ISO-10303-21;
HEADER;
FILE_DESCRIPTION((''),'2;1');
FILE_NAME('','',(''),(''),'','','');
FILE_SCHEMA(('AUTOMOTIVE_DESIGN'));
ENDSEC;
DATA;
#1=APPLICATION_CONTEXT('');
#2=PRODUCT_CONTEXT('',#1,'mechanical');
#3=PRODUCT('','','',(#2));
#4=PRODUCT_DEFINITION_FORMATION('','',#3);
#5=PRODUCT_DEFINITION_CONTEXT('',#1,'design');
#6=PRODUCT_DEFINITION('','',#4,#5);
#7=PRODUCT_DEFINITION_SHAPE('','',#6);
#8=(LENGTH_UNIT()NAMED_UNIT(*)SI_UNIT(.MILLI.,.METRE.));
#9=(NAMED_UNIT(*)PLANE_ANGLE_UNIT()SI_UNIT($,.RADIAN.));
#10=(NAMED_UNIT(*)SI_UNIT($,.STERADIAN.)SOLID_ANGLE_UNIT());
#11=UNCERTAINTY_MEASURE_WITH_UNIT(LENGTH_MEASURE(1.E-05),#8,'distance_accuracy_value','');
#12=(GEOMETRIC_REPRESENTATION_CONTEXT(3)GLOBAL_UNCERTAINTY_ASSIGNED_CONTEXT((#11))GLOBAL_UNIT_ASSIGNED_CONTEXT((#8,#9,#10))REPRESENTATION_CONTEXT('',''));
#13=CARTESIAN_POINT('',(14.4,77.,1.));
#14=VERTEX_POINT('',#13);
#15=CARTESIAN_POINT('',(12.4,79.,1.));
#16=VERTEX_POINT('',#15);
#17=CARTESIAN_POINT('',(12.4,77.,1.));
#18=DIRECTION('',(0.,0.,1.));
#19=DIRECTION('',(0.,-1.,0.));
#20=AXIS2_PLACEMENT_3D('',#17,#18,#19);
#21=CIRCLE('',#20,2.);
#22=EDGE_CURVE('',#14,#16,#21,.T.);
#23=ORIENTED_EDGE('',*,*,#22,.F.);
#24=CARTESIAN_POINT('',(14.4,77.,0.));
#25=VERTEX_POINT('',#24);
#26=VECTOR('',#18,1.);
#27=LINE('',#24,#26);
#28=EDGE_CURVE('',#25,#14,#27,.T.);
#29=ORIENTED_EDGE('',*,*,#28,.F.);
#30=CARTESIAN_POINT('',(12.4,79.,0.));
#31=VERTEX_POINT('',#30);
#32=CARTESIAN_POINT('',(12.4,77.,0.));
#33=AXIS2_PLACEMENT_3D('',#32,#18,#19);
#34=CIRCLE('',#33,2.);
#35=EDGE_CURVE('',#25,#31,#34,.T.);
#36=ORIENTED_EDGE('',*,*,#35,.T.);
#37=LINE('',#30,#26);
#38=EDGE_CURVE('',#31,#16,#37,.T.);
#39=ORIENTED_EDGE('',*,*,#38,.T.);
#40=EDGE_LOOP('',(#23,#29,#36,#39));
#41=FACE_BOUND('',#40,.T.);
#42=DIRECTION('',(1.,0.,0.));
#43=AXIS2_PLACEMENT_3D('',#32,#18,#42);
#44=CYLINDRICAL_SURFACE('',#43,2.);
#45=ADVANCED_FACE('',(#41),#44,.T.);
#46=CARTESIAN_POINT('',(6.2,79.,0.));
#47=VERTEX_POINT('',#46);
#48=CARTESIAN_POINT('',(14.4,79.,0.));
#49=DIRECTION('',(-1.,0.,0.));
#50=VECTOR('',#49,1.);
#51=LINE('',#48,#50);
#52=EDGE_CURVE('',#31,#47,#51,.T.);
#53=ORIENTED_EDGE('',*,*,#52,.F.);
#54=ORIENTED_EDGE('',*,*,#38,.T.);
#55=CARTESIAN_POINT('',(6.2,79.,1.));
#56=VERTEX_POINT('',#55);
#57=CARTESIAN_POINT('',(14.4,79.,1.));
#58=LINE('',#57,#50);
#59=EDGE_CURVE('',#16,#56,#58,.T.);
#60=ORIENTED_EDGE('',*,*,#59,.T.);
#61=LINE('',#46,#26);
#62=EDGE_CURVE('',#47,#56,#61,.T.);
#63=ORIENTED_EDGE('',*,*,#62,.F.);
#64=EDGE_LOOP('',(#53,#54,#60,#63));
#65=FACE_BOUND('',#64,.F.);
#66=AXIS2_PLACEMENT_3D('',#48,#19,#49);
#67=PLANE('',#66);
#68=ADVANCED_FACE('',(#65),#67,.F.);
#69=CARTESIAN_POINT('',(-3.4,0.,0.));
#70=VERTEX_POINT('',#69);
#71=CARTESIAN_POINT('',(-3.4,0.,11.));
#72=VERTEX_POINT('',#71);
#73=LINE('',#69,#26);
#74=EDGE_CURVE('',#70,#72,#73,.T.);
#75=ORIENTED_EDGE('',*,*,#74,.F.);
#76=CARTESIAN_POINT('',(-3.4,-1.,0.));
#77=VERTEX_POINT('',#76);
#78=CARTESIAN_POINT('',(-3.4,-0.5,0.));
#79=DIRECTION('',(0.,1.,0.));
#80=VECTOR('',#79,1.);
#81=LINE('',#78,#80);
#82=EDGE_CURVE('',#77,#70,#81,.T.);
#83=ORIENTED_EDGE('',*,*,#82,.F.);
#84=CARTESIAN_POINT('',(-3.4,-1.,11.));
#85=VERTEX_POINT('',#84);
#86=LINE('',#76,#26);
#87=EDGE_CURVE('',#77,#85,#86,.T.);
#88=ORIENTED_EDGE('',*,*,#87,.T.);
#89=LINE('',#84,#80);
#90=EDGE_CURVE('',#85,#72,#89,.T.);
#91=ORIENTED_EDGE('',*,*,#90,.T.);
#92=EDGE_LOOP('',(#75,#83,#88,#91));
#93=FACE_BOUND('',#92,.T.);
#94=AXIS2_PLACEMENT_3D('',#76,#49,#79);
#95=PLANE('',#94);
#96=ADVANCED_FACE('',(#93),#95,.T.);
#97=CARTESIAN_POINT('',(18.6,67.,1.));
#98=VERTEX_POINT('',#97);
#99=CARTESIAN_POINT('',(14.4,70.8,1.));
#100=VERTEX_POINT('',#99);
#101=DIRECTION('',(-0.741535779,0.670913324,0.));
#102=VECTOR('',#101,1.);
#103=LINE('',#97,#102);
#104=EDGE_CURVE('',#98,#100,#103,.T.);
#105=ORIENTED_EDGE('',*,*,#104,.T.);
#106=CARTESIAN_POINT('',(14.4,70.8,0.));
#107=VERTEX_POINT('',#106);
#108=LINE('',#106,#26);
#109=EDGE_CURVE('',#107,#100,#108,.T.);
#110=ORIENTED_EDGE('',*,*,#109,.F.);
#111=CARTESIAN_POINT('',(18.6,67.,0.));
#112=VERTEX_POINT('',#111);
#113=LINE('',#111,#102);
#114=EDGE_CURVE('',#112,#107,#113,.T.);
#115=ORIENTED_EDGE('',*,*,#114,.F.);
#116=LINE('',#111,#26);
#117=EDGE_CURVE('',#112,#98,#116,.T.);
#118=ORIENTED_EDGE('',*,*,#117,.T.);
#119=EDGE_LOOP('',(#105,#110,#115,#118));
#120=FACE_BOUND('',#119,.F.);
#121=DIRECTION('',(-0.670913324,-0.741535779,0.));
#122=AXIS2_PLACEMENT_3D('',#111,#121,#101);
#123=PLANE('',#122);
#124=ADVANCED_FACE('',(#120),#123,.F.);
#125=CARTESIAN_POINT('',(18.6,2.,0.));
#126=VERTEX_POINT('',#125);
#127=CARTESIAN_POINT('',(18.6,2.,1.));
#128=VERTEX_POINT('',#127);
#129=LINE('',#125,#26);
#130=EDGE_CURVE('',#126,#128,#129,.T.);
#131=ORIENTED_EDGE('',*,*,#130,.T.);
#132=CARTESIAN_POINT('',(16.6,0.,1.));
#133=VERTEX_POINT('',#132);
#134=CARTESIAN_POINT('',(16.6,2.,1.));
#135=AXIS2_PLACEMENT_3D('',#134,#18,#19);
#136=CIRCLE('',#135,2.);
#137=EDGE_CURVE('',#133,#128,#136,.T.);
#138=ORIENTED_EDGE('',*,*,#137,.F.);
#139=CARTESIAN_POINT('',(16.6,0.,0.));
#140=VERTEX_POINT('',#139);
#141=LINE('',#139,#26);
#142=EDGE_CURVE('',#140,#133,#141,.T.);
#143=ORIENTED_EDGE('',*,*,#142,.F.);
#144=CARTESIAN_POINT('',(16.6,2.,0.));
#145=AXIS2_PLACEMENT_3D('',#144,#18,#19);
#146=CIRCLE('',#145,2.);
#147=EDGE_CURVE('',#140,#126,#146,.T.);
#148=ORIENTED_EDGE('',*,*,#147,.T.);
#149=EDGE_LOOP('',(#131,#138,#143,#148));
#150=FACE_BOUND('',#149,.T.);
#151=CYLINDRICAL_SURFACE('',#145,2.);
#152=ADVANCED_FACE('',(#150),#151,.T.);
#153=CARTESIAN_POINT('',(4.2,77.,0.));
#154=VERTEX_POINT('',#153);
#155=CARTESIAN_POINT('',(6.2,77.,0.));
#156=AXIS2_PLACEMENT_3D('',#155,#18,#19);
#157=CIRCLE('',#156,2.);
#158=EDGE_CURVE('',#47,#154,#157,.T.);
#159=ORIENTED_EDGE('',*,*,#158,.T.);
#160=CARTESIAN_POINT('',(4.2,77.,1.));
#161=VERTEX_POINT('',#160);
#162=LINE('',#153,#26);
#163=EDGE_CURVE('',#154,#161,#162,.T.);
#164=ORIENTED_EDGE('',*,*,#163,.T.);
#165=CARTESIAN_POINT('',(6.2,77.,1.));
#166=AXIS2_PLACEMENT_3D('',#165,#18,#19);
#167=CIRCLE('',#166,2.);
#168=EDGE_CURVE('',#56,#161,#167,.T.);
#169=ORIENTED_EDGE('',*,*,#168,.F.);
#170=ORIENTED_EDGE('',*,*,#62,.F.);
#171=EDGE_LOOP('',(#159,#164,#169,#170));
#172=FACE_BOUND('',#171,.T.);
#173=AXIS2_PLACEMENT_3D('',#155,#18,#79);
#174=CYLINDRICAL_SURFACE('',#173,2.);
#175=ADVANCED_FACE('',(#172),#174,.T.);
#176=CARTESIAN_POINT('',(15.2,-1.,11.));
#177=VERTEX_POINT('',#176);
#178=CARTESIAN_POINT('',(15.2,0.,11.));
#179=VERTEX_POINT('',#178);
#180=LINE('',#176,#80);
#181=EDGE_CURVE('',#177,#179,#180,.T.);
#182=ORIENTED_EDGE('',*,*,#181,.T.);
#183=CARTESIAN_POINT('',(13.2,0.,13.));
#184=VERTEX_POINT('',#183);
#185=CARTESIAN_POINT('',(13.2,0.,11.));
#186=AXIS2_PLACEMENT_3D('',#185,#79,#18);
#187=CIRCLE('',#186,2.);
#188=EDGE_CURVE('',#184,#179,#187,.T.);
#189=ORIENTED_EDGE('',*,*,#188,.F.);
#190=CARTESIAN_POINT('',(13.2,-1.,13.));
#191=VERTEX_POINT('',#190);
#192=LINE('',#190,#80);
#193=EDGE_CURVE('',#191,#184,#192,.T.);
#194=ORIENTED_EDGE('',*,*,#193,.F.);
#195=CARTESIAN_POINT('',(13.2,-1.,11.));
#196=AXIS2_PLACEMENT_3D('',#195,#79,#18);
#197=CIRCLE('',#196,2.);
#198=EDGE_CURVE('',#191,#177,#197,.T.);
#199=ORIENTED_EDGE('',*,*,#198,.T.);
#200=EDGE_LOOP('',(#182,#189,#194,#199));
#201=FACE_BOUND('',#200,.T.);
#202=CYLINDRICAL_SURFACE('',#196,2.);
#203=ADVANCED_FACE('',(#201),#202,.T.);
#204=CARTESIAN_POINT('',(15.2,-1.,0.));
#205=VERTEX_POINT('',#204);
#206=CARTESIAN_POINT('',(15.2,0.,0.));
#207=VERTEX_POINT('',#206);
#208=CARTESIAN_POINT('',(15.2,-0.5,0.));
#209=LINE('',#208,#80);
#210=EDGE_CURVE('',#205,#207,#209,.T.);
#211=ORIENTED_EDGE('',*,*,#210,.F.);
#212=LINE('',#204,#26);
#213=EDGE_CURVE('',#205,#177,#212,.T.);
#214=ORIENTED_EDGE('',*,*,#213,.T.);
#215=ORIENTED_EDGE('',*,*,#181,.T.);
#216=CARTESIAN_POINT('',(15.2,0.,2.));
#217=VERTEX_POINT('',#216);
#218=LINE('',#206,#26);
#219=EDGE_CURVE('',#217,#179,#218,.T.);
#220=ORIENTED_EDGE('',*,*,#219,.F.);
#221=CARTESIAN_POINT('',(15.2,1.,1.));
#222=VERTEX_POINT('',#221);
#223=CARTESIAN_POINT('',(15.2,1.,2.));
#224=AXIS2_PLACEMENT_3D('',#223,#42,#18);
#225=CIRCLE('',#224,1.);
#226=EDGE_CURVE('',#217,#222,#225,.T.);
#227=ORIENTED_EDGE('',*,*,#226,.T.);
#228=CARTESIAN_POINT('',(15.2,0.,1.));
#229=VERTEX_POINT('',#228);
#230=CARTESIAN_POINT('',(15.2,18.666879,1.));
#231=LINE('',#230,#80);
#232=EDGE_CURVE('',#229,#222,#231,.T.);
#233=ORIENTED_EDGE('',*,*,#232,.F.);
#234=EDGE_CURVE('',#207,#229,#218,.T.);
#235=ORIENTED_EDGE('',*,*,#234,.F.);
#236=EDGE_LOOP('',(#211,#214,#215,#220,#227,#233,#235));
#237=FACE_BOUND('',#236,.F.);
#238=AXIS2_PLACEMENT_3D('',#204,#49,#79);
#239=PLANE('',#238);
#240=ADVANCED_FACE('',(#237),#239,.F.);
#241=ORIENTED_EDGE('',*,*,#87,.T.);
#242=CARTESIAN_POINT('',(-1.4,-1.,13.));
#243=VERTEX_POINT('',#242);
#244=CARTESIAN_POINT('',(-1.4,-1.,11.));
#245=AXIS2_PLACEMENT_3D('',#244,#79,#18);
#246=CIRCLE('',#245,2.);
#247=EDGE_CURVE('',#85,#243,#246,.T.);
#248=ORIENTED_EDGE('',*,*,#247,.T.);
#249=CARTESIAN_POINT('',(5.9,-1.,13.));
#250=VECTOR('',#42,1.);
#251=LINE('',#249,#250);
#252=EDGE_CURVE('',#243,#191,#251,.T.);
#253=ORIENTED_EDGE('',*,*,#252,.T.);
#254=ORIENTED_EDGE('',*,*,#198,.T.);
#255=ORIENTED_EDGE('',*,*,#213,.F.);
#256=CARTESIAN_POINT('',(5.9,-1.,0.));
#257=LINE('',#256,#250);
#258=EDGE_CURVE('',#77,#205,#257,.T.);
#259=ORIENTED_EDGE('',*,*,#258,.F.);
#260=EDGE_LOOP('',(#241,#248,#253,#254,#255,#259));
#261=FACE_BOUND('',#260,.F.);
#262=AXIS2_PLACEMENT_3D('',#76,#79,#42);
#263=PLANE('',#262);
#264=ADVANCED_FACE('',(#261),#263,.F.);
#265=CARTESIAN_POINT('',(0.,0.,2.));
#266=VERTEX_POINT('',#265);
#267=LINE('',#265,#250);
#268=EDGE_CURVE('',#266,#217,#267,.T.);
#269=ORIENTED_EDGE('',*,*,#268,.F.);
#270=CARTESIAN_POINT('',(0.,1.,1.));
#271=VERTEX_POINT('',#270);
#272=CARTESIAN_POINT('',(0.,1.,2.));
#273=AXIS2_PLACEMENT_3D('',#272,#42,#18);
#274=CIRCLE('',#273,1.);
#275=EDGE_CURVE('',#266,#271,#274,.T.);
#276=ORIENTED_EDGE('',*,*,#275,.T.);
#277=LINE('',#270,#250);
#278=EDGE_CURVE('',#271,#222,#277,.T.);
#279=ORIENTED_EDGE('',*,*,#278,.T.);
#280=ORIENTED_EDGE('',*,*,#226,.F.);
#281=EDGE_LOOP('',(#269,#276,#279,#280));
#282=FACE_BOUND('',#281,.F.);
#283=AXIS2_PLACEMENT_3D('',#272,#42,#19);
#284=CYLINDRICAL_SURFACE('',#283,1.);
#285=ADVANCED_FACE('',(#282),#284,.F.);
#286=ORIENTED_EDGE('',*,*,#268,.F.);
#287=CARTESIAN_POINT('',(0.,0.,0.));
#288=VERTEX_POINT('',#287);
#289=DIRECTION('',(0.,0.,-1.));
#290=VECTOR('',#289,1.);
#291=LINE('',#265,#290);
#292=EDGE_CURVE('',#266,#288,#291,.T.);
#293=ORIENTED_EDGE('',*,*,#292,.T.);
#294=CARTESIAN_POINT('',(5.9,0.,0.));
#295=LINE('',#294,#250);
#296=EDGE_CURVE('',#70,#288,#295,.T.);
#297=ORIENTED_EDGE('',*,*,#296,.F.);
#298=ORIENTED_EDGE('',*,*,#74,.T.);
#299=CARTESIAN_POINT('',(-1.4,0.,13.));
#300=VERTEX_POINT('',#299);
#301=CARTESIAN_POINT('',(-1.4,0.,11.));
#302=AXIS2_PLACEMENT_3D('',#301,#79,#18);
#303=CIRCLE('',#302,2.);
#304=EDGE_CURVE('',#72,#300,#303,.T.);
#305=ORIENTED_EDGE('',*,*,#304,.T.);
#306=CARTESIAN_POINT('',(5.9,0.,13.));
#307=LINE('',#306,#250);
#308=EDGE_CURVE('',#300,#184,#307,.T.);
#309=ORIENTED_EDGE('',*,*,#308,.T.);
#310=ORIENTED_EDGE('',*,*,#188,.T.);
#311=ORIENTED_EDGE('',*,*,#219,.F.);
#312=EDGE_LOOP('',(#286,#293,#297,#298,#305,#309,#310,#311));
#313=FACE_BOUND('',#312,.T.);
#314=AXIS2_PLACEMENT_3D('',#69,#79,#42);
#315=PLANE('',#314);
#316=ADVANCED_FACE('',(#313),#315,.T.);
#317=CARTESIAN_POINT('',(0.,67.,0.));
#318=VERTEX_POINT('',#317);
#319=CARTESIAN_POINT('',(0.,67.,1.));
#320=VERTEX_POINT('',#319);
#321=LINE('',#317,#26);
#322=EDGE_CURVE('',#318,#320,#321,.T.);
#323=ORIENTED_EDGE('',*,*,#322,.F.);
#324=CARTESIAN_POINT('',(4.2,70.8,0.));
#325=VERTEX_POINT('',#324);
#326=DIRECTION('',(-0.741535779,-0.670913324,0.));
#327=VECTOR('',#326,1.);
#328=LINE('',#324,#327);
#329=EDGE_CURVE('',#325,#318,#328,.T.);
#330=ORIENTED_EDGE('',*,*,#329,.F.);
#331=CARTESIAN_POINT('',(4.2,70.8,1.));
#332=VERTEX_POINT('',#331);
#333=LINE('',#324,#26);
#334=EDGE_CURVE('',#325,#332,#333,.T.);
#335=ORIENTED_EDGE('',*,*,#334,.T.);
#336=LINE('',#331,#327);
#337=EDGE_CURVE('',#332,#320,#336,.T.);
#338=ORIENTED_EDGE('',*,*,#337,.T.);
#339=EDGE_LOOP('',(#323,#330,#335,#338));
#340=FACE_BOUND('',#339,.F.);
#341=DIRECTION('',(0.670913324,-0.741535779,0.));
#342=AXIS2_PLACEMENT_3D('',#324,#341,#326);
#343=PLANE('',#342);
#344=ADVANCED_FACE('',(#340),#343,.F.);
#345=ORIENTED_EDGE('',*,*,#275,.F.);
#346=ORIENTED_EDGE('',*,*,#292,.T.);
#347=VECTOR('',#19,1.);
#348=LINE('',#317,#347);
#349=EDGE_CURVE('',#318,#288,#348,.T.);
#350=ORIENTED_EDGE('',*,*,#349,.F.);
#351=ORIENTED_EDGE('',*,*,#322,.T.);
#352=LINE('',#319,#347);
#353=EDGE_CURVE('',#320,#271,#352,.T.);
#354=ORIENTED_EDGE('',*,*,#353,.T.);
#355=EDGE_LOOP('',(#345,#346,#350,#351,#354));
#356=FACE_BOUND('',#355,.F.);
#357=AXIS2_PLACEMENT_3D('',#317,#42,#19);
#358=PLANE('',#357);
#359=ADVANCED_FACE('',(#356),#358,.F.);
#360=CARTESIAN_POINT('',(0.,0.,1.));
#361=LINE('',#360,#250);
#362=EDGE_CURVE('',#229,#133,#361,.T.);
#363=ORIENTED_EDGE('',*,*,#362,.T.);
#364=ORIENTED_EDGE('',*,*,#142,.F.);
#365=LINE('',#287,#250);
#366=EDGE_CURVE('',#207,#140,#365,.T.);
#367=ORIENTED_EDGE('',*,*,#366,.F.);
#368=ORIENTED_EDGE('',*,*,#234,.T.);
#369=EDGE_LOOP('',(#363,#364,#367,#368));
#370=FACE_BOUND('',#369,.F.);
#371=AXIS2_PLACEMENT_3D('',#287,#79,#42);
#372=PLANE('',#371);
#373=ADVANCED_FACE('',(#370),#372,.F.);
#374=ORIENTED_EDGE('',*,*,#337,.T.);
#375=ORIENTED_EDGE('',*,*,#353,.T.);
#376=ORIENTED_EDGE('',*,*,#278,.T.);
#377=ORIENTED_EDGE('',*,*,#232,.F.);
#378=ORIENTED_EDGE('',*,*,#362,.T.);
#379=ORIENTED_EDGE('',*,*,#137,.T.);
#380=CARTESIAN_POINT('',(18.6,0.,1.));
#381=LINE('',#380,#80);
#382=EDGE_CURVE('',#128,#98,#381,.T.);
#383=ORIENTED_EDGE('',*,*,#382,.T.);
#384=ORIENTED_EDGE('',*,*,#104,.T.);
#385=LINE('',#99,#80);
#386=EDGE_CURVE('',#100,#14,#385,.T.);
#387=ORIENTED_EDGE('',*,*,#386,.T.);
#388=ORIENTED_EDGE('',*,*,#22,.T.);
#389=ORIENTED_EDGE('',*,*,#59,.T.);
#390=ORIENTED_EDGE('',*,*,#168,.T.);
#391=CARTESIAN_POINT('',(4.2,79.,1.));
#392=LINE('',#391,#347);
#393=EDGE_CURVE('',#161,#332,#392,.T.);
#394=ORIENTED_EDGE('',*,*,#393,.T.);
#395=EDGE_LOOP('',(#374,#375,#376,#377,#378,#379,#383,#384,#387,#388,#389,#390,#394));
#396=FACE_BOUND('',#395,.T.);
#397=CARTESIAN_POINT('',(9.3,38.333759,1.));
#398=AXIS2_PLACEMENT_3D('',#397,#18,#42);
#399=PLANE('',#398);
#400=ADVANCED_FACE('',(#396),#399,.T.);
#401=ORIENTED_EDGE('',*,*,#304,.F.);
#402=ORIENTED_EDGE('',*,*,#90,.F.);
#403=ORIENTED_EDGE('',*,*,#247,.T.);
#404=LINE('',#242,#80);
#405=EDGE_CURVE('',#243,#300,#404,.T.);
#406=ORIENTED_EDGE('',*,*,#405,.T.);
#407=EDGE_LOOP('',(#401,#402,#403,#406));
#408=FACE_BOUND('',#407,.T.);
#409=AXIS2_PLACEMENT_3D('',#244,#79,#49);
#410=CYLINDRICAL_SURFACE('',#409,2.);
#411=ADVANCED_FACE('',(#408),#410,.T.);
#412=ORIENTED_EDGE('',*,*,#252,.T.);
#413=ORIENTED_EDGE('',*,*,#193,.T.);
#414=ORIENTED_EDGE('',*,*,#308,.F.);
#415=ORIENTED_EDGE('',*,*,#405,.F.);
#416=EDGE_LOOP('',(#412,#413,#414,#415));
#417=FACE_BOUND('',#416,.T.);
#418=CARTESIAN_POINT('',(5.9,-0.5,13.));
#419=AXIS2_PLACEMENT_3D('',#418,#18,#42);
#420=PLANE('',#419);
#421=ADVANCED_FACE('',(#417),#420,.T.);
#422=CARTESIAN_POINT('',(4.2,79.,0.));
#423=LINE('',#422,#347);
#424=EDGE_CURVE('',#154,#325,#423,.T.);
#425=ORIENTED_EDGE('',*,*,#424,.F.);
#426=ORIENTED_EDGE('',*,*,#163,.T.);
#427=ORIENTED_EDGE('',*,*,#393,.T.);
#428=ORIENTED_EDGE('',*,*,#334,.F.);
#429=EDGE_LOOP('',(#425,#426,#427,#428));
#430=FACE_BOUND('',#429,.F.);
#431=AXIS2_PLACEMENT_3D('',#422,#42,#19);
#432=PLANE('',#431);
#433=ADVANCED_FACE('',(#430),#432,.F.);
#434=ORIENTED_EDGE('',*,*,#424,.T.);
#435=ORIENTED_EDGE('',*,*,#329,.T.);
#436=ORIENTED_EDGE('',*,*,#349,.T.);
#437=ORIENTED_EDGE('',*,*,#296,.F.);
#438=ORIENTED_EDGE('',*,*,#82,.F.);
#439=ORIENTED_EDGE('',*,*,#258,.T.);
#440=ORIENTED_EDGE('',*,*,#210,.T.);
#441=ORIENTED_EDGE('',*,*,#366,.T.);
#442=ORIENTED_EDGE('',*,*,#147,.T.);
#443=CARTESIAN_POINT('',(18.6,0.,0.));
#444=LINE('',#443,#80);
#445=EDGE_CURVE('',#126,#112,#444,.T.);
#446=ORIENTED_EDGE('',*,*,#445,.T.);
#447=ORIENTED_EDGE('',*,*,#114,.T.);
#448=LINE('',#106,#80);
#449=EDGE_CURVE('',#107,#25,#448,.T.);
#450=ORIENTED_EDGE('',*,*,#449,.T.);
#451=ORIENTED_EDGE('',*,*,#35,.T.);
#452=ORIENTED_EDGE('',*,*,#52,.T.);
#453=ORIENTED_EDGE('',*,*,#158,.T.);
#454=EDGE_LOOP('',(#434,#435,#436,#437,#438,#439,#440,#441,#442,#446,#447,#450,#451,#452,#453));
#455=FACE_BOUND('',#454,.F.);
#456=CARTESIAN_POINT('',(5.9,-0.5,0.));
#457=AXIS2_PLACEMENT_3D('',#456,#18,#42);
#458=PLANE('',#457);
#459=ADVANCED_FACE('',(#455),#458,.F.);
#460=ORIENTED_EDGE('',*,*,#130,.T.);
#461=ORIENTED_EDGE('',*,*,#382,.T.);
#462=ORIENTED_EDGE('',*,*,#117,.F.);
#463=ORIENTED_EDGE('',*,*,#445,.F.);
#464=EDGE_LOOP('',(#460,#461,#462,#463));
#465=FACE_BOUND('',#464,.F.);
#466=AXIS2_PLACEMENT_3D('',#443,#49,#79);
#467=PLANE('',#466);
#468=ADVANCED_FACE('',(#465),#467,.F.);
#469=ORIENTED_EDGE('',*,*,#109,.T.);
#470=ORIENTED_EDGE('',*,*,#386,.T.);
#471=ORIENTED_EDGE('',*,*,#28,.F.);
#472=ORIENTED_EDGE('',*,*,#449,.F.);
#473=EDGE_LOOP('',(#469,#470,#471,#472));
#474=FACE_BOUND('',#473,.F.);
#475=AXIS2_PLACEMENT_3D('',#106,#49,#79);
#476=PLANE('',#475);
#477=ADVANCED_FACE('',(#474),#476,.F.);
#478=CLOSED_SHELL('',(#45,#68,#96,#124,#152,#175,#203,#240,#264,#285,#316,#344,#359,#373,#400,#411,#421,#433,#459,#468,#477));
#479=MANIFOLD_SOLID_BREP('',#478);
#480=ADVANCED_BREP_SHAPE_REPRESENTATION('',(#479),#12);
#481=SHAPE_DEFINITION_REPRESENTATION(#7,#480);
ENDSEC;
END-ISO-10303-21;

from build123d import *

# Parameters (mm, degrees)
F1_DEPTH = 1
F2_W     = 18.6
F2_H     = 1
F3_DEPTH = 13
F4_R     = 2
F5_R     = 1


with BuildPart() as f1:
    # F0 (on Top) → F1 (new body)
    with BuildSketch(Plane.XY):
        Polygon((0, 67), (0, 0), (18.6, 0), (18.6, 67), (14.4, 70.8), (14.4, 79), (4.2, 79), (4.2, 70.8), align=None)
    extrude(amount=F1_DEPTH)

    # F2 (on Top) → F3 (join)
    with BuildSketch(Plane.XY):
        with Locations((5.9, -0.5)):
            Rectangle(F2_W, F2_H)
    extrude(amount=F3_DEPTH)

    # F4
    f4_edges = [f1.edges().sort_by_distance(p)[0] for p in [
        (18.6, 0, 0.5),
        (15.2, -0.5, 13),
        (-3.4, -0.5, 13),
        (14.4, 79, 0.5),
        (4.2, 79, 0.5),
    ]]
    fillet(f4_edges, radius=F4_R)

    # F5
    f5_edges = [f1.edges().sort_by_distance(p)[0] for p in [
        (7.6, 0, 1),
    ]]
    fillet(f5_edges, radius=F5_R)


solid = f1.part
